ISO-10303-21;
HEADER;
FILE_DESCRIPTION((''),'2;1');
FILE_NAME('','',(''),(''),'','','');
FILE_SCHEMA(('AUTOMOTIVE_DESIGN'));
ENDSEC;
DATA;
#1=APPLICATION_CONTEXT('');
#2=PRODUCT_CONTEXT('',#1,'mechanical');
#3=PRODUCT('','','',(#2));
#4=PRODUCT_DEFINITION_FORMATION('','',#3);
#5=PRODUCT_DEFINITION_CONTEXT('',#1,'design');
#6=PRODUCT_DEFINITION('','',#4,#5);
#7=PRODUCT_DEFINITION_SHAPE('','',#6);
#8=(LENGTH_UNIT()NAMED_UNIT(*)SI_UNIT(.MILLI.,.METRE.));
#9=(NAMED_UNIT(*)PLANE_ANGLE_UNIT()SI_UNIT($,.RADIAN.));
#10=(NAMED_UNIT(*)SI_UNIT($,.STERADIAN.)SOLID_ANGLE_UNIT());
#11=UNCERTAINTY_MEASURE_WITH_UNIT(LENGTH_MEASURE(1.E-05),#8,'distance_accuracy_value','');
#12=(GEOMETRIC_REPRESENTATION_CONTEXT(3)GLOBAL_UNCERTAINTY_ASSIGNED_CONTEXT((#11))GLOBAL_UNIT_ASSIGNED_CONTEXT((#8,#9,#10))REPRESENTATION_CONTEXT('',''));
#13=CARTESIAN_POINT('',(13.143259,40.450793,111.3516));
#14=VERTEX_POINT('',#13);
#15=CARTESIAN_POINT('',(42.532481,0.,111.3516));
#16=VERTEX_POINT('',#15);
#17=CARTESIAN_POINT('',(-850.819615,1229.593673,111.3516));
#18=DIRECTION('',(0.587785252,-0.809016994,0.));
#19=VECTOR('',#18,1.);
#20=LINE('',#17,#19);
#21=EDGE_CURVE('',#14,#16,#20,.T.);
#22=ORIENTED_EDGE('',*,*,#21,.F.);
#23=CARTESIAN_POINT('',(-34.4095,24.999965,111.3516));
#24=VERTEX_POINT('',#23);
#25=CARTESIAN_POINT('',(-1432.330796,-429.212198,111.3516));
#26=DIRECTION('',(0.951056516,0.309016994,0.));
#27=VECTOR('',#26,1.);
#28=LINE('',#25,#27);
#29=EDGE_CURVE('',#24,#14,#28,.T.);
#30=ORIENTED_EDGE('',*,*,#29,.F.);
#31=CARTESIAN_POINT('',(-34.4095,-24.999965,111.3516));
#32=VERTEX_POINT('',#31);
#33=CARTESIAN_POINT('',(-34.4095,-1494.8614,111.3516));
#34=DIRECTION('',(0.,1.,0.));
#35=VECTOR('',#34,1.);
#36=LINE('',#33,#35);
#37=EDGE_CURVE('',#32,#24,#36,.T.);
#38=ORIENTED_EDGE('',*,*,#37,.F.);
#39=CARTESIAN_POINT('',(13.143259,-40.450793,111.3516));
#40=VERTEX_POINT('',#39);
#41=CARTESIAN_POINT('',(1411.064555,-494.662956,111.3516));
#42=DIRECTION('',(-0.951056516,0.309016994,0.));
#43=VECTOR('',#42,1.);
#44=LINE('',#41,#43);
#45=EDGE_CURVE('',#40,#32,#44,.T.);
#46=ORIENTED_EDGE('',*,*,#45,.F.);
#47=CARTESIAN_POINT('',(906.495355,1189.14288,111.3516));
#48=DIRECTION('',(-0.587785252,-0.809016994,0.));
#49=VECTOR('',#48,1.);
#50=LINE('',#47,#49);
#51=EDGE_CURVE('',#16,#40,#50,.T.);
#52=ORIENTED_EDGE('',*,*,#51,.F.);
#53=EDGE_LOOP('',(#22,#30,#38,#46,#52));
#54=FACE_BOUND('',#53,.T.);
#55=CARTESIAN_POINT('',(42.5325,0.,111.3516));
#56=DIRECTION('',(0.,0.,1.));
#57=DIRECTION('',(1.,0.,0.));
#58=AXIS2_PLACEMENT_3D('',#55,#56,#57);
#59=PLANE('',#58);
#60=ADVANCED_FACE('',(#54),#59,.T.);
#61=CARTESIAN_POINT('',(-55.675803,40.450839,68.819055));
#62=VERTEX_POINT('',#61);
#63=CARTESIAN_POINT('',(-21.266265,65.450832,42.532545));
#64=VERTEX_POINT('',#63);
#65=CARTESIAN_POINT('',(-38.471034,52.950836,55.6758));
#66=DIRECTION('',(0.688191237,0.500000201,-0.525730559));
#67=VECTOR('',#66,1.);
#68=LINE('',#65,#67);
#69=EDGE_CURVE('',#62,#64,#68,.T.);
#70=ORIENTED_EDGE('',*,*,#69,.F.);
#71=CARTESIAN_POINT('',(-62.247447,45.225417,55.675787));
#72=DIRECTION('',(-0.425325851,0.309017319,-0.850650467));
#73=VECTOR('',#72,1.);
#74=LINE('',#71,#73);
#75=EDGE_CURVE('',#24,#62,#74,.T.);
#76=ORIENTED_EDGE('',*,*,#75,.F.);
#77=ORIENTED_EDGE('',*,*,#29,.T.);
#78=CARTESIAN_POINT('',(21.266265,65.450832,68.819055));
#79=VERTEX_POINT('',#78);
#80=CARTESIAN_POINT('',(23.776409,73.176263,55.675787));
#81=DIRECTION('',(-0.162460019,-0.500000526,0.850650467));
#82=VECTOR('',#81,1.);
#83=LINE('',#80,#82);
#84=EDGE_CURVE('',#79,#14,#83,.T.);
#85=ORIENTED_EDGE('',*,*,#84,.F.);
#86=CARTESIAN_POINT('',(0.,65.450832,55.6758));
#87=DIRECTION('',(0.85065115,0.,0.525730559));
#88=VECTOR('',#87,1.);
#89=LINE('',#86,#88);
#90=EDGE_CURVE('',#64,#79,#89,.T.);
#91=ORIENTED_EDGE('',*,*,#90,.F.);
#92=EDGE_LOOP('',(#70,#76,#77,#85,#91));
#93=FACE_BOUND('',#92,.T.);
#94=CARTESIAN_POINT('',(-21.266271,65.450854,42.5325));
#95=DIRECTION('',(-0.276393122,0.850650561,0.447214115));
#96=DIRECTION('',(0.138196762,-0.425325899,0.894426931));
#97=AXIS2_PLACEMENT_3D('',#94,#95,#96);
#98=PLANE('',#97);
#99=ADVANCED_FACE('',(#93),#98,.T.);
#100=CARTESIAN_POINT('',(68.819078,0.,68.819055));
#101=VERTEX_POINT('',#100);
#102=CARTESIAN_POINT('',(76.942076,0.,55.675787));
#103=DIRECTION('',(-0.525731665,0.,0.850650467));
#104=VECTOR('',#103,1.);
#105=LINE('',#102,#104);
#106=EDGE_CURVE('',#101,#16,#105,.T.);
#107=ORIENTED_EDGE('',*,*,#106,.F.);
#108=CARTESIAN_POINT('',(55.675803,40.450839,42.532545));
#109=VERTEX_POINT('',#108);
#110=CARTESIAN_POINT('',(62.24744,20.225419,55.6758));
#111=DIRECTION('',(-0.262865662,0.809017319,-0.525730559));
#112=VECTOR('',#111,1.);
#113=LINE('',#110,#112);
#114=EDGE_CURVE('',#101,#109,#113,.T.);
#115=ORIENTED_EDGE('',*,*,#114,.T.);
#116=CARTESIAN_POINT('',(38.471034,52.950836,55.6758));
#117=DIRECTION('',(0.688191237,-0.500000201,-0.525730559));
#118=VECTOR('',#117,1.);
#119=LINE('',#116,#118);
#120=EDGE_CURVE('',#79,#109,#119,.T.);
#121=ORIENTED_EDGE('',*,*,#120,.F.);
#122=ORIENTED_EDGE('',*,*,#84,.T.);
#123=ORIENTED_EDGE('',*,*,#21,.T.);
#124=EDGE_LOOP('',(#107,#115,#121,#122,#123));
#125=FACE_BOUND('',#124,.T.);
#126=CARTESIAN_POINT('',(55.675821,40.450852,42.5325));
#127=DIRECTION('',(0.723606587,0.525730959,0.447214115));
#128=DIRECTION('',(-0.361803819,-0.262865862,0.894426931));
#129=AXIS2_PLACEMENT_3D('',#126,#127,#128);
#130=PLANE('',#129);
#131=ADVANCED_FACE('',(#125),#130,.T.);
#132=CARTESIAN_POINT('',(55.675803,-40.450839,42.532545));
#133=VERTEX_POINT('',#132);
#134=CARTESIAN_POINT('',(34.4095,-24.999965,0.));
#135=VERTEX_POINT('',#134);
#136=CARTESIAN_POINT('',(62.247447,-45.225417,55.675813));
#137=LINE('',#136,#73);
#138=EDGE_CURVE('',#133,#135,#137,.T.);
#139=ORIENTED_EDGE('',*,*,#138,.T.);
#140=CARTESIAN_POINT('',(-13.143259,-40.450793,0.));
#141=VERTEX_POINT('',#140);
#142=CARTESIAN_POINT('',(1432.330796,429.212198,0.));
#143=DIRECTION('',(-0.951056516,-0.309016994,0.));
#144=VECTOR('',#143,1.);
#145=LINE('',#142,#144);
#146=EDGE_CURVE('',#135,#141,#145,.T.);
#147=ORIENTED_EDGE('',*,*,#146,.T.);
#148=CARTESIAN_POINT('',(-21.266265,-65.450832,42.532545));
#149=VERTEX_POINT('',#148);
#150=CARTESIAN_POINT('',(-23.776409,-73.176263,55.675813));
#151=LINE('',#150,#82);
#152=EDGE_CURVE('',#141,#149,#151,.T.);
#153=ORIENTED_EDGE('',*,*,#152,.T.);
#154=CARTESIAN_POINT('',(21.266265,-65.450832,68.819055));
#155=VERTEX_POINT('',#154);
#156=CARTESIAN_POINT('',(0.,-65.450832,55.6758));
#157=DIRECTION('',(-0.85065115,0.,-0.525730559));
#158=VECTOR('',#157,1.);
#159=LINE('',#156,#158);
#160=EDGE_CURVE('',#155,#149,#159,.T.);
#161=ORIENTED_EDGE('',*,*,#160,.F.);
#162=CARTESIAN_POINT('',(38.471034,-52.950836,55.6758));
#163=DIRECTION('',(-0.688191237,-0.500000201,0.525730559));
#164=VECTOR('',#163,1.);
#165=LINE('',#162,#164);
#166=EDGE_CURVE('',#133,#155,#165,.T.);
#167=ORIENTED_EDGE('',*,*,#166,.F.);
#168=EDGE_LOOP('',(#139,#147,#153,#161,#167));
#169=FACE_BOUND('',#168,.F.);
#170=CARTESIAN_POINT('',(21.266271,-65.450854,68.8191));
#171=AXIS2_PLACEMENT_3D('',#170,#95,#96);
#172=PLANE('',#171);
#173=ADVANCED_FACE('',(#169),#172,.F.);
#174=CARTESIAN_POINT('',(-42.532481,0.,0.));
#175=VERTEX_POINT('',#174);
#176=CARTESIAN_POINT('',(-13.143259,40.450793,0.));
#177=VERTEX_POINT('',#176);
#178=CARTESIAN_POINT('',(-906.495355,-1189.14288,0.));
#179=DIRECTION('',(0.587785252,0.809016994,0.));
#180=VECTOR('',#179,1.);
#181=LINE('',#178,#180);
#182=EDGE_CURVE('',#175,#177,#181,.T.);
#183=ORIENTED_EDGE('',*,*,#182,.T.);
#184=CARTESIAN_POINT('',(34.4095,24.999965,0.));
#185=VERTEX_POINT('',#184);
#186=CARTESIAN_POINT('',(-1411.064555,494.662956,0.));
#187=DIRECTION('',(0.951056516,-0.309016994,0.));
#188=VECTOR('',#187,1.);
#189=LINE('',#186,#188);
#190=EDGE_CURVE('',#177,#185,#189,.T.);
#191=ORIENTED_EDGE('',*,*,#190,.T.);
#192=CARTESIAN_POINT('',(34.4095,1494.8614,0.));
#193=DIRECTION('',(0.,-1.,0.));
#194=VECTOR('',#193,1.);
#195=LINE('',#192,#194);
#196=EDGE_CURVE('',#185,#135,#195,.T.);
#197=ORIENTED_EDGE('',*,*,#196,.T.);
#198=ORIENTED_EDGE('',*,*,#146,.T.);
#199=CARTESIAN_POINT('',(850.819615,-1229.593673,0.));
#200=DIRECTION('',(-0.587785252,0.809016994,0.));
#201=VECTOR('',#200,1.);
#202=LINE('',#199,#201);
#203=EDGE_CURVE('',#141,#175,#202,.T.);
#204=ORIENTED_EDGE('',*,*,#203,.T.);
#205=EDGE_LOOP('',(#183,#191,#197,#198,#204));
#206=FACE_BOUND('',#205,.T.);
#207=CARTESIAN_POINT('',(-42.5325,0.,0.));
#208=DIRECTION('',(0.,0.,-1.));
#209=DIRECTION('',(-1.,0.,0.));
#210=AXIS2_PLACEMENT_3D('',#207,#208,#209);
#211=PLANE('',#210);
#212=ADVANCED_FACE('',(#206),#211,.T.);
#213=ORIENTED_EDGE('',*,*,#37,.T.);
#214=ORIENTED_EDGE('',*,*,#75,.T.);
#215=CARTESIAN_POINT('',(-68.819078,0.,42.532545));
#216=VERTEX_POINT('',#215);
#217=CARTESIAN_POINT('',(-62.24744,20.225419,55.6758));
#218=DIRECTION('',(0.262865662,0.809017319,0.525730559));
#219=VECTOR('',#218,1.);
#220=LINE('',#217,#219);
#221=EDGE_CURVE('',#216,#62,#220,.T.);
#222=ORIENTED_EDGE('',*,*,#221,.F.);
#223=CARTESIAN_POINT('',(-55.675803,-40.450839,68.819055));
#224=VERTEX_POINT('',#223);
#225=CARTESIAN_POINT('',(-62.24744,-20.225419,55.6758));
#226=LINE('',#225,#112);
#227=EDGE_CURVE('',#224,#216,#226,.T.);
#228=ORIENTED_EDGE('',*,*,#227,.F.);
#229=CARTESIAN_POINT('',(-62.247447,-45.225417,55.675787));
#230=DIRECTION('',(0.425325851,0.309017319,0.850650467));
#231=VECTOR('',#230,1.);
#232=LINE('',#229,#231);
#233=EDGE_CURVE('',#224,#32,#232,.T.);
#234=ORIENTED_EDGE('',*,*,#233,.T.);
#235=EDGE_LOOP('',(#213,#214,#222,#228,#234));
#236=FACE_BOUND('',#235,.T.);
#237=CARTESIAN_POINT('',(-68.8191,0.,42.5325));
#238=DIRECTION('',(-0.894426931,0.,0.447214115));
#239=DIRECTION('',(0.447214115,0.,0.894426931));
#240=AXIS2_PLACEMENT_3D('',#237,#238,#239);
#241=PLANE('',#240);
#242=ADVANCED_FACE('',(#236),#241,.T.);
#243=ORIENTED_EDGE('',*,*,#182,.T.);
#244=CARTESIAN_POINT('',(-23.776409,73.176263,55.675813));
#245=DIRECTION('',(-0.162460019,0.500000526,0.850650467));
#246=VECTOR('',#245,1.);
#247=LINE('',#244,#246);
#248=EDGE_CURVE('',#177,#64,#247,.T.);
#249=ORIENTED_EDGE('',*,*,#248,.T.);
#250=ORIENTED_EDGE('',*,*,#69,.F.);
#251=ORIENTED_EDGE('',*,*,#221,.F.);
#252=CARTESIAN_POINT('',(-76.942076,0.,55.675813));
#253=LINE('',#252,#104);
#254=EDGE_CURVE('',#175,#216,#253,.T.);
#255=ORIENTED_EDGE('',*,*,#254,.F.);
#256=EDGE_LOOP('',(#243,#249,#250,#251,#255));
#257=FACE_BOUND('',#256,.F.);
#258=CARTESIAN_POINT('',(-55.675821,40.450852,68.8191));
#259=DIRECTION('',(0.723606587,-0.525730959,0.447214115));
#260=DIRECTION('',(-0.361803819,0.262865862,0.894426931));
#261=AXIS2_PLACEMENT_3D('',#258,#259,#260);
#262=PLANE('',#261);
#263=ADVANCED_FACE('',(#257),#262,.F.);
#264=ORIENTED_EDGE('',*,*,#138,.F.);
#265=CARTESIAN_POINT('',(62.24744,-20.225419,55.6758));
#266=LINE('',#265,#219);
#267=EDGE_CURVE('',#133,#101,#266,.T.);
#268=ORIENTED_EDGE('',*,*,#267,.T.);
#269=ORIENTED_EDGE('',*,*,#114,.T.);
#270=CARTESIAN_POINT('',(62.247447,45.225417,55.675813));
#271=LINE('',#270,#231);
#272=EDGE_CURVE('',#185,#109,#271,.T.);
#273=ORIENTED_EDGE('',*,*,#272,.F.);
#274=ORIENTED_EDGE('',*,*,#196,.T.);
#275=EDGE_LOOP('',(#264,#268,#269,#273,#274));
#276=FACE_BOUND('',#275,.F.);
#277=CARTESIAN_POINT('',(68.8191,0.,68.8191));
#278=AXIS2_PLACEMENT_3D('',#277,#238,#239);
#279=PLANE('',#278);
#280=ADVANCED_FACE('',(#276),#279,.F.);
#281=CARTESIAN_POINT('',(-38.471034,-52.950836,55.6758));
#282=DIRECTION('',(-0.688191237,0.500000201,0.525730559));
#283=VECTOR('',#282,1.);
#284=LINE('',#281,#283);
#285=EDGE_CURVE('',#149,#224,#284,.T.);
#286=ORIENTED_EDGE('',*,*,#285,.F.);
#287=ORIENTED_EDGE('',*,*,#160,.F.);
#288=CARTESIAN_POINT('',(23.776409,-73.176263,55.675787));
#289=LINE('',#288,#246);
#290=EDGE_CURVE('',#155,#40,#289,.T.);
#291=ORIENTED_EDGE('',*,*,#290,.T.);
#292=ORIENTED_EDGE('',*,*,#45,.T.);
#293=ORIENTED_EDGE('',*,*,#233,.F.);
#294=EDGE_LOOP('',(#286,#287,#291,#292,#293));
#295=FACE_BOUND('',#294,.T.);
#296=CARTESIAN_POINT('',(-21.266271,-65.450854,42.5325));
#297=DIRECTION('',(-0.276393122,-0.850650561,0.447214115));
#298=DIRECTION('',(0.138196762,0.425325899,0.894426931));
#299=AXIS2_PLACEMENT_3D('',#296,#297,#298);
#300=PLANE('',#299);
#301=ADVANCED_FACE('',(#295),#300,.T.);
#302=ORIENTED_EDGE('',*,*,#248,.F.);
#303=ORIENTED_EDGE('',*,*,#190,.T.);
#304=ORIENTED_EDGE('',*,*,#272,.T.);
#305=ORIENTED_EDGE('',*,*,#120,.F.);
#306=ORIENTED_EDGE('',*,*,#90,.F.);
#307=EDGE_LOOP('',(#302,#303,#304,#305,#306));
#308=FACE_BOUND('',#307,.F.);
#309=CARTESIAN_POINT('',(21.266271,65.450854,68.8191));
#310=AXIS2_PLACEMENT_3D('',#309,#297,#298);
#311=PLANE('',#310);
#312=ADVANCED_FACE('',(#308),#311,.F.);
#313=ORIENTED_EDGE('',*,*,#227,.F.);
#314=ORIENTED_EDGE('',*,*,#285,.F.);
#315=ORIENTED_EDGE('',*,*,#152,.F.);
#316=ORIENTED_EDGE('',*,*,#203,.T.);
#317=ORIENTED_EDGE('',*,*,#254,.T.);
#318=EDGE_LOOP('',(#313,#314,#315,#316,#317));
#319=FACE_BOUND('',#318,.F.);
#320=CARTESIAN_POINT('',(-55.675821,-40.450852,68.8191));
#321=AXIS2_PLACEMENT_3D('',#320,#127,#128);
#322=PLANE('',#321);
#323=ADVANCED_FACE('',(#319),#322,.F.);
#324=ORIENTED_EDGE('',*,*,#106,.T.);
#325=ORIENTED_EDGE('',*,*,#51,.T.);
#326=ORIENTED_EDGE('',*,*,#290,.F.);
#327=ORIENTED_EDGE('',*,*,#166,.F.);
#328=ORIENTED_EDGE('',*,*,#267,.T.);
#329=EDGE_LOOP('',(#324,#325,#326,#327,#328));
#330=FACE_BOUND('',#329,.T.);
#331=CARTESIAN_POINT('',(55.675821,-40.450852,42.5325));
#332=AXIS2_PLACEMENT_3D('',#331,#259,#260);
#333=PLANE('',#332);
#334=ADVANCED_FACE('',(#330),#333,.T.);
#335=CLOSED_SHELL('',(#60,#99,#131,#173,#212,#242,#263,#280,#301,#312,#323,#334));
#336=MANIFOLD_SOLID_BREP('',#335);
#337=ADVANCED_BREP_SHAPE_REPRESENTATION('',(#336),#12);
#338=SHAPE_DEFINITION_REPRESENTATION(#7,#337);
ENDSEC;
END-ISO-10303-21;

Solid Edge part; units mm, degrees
sketch "Sketch1" plane through (0, 0, 0) normal (0, -1, 0) x (1, 0, 0)
  arc A0 (0, 208.4456) -> (0, -97.0939) centre (0, 55.6758) ccw
  line L0 (0, 208.4456) -> (0, -97.0939)
revolve "RevolvedProtrusion1" add sketch "Sketch1" angle 360 about axis through (0, 0, 208.4456) along (0, 0, -1)
sketch "Sketch2" plane through (0, 0, 0) normal (0, -1, 0) x (1, 0, 0)
  line L0 (-68.8191, 42.5325) -> (-34.4095, 111.3516)
  line L1 (-34.4095, 111.3516) -> (42.5325, 111.3516)
extrude "Cutout1" cut sketch "Sketch2" along normal through all and the other way through all material side at (-51.659, 0, 76.9644)
sketch "Sketch3" plane through (0, 0, 0) normal (0, -1, 0) x (1, 0, 0)
  line L0 (68.8191, 68.8191) -> (34.4095, 0)
  line L1 (-42.5325, 0) -> (34.4095, 0)
extrude "Cutout2" cut sketch "Sketch3" along normal through all and the other way through all material side at (51.659, 0, 34.3872)
pattern_circular "Pattern1" count 5 over 360 about axis through (0, 0, 0) along (0, 0, 1) of "Cutout1", "Cutout2"
